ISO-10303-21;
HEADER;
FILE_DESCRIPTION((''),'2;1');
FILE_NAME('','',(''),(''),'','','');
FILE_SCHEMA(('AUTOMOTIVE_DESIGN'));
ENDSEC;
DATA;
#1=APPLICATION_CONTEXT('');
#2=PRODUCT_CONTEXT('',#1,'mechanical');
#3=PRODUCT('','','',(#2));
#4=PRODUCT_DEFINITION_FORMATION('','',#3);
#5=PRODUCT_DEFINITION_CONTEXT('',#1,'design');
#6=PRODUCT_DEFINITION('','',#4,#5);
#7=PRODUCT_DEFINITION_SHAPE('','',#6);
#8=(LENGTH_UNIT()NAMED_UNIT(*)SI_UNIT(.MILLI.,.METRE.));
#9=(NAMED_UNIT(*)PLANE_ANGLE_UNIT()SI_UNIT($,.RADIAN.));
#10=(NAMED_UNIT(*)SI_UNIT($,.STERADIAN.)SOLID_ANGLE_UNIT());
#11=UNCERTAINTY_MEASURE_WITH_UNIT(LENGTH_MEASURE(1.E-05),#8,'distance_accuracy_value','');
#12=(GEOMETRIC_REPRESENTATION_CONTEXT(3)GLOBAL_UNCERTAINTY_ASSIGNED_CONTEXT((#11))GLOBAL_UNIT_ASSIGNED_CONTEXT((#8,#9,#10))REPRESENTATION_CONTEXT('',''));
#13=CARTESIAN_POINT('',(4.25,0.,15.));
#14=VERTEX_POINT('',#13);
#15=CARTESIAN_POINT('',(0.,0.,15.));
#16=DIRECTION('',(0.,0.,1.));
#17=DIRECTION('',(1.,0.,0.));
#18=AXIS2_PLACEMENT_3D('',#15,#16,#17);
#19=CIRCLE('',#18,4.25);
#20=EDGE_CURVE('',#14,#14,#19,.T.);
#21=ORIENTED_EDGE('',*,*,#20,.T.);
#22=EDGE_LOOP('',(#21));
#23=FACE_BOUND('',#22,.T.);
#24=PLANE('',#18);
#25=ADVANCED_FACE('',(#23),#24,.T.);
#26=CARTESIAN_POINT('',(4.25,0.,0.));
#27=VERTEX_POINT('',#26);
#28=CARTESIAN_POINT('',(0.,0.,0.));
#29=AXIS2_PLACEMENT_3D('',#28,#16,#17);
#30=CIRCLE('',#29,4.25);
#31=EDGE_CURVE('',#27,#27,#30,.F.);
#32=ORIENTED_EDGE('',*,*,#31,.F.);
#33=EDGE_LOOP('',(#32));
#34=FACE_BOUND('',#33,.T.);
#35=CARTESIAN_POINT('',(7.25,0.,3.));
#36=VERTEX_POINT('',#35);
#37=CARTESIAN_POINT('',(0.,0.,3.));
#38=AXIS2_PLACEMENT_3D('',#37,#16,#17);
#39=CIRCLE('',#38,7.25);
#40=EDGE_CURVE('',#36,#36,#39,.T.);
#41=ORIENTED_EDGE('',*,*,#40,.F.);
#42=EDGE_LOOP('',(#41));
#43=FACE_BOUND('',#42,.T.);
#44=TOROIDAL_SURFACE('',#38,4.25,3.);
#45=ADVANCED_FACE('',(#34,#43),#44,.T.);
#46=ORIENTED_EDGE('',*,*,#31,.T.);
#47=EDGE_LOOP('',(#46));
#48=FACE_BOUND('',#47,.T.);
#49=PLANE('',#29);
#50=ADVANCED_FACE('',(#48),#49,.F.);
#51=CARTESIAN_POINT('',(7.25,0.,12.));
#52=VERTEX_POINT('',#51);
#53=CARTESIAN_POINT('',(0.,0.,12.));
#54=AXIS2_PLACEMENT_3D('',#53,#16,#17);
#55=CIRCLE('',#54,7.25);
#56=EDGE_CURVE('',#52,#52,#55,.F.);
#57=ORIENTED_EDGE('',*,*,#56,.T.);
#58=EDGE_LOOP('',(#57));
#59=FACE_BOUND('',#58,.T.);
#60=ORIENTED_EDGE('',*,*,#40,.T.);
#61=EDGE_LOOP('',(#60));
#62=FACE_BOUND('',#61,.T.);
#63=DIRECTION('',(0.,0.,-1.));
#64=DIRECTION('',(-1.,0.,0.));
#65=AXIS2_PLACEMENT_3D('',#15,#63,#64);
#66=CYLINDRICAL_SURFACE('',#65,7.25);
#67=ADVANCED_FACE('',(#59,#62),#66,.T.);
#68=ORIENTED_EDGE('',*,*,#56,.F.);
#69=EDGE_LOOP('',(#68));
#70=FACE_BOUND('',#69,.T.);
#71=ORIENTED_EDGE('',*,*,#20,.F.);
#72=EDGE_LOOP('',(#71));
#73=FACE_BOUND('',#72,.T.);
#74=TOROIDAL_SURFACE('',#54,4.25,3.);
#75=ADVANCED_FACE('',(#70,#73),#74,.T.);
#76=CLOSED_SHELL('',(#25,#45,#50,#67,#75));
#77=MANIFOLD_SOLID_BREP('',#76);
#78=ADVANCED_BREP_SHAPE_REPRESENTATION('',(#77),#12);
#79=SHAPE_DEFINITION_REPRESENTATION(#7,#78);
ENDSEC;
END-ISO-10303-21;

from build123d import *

# Parameters (mm, degrees)
SKETCH2_R           = 7.25
BOSS_EXTRUDE1_DEPTH = 15
FILLET1_R           = 3


with BuildPart() as part:
    # Sketch2 → Boss-Extrude1 (new body)
    with BuildSketch(Plane.XY):
        Circle(SKETCH2_R)
    extrude(amount=BOSS_EXTRUDE1_DEPTH)

    # Fillet1
    fillet1_edges = [part.edges().sort_by_distance(p)[0] for p in [
        (-7.25, 0, 0),
        (-7.25, 0, 15),
    ]]
    fillet(fillet1_edges, radius=FILLET1_R)


solid = part.part
